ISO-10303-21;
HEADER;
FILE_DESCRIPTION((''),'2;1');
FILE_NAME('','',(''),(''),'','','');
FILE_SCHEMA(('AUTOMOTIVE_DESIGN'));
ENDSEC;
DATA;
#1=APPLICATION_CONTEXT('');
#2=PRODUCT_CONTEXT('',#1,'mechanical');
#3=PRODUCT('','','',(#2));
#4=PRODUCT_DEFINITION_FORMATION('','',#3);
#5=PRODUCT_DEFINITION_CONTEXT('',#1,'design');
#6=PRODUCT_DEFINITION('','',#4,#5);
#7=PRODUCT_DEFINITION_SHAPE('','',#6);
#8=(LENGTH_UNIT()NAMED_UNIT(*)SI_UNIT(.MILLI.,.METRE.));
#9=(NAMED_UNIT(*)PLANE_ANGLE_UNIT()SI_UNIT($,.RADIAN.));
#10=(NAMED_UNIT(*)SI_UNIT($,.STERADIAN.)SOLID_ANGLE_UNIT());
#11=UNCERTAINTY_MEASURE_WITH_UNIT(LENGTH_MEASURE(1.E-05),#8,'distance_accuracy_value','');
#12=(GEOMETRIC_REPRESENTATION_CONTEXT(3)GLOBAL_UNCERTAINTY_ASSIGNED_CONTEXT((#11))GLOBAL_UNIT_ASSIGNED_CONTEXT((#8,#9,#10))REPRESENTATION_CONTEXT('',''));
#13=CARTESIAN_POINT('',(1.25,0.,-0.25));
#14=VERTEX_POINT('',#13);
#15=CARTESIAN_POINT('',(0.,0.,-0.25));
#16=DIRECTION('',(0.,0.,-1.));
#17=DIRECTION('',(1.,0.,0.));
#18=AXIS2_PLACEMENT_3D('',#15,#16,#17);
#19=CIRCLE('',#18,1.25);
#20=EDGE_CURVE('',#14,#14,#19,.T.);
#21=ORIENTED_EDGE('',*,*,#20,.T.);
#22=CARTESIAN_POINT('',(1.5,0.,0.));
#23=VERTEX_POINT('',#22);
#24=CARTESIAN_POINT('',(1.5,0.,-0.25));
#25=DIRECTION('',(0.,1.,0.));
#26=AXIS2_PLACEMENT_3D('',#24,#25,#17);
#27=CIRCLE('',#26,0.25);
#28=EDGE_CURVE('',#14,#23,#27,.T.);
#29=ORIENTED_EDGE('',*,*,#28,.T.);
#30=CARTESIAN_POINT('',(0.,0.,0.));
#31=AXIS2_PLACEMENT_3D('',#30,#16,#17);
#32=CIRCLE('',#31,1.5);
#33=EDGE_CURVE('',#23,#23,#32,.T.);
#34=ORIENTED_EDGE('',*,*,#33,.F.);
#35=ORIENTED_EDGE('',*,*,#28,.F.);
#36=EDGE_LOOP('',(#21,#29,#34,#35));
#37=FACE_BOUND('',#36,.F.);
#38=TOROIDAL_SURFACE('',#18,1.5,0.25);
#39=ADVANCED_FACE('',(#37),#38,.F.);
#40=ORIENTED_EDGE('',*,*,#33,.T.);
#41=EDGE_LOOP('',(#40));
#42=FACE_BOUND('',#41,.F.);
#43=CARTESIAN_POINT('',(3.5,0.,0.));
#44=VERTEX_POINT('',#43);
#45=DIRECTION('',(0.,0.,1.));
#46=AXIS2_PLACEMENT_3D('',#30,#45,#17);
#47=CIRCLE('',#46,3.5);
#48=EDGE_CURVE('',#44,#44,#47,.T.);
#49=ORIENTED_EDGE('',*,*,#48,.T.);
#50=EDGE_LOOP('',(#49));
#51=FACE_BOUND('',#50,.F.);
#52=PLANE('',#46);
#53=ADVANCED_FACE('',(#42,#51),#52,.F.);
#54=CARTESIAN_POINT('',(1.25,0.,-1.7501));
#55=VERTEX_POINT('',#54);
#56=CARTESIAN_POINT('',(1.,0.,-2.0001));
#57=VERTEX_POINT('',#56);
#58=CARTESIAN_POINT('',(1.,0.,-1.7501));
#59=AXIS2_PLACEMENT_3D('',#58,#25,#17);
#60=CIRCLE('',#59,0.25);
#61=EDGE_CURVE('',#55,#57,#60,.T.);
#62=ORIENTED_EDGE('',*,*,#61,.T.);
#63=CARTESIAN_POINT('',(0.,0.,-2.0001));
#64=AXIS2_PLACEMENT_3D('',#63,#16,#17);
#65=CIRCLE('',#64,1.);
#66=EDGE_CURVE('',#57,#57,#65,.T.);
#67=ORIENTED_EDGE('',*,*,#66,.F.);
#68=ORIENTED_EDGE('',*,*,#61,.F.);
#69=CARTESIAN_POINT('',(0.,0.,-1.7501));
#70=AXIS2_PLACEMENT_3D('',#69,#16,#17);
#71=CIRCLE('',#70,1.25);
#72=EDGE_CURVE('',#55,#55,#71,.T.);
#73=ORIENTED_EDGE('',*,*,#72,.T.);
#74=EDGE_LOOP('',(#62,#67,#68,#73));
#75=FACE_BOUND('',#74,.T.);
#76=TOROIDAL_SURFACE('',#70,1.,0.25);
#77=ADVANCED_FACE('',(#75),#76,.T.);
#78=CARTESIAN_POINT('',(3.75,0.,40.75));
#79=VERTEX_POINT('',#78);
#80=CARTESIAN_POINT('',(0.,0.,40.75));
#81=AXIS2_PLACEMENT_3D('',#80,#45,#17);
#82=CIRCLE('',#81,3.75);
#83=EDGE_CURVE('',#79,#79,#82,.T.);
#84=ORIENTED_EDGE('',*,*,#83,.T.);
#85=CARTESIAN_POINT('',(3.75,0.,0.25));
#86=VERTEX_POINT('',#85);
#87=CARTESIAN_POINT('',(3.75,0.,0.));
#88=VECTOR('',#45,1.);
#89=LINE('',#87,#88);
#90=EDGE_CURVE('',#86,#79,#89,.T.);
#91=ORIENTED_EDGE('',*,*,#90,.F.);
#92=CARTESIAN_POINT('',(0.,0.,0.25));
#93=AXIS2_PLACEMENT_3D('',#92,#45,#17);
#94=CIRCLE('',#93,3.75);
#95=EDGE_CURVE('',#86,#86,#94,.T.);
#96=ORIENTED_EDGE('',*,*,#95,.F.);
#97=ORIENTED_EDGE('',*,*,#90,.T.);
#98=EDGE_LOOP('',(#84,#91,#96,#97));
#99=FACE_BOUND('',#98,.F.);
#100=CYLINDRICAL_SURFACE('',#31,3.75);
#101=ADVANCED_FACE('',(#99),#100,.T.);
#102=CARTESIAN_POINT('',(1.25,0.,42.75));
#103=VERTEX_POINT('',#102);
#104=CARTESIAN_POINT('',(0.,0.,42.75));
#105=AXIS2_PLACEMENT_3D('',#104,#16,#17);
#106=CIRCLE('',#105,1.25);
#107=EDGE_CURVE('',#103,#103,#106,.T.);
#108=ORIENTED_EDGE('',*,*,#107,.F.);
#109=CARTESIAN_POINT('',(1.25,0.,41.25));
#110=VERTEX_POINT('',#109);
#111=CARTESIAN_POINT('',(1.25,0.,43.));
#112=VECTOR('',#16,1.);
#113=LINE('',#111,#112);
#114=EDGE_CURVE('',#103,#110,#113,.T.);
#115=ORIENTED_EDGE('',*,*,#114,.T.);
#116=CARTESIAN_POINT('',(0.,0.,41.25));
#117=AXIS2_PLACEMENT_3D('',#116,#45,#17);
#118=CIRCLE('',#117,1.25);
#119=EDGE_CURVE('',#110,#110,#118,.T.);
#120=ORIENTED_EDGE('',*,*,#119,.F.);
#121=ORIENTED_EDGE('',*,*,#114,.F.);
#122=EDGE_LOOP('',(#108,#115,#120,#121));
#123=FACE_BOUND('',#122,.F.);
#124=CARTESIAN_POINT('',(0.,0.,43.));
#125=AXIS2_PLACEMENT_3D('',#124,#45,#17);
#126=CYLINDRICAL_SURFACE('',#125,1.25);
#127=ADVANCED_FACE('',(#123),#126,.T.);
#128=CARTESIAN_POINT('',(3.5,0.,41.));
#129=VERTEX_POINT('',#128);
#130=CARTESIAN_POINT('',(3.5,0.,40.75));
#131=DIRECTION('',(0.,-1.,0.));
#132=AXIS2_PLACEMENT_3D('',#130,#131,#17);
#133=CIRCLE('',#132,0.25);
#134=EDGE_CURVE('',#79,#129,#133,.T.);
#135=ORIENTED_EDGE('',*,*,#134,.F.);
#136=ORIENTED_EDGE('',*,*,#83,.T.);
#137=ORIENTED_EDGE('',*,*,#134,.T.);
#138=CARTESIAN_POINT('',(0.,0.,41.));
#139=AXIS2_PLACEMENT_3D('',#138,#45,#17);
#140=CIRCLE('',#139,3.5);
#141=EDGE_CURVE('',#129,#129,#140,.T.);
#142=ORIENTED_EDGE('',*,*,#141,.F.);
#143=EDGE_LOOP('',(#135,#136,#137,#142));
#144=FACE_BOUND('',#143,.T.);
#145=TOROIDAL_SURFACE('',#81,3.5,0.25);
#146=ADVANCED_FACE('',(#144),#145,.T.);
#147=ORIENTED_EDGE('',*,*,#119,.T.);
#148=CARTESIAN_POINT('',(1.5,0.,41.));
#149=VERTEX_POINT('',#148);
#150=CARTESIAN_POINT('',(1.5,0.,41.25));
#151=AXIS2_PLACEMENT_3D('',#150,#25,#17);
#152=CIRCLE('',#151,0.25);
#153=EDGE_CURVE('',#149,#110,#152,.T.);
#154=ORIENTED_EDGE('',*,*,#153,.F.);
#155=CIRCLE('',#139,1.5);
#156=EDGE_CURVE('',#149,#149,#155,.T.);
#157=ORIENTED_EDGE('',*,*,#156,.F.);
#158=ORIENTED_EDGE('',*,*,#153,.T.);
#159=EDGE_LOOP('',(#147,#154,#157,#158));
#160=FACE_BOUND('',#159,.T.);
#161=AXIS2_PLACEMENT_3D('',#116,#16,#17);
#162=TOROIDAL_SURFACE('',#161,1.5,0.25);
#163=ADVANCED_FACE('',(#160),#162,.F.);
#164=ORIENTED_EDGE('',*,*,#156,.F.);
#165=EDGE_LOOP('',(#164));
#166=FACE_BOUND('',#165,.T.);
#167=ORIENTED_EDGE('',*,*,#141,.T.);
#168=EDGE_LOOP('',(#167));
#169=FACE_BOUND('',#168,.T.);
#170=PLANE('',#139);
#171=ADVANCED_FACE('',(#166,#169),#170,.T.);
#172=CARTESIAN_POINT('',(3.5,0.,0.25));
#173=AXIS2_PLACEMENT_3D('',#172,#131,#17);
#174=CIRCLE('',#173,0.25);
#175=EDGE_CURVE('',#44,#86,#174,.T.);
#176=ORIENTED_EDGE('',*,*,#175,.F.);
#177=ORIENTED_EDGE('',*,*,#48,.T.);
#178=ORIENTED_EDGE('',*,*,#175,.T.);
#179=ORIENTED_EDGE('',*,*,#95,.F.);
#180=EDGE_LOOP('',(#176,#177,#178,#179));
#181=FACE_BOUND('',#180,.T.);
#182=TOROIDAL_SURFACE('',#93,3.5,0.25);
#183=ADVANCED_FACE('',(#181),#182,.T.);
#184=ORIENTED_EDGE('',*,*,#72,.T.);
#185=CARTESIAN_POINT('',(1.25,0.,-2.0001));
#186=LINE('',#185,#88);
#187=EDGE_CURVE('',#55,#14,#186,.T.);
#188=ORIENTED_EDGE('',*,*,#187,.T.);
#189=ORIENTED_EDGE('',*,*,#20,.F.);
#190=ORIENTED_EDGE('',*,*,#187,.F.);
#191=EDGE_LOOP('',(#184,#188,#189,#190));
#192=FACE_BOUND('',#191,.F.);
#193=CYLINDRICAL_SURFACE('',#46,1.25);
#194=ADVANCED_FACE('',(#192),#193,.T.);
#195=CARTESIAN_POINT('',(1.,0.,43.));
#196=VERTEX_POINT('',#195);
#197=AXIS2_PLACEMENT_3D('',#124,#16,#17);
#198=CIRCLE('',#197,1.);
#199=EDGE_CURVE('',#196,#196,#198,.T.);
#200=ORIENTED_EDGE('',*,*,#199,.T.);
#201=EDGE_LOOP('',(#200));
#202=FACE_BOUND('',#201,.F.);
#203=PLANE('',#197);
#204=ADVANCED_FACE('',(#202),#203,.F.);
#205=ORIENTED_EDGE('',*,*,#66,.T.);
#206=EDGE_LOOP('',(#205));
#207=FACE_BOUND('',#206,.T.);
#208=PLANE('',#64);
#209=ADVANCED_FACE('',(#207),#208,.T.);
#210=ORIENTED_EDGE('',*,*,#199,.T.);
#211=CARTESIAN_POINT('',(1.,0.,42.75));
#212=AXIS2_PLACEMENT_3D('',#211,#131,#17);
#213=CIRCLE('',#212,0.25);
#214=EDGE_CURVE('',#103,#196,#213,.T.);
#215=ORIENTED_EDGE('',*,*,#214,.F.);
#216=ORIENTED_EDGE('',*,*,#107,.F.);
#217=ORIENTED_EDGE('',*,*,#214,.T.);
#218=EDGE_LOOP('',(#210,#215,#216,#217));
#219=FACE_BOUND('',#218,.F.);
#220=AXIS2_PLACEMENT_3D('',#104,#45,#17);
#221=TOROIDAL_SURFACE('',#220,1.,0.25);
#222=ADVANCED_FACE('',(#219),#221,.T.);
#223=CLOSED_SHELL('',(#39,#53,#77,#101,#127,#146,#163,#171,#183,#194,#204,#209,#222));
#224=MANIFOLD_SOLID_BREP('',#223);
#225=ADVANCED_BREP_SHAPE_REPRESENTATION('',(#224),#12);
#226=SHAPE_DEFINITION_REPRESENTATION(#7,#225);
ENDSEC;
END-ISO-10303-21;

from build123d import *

# Parameters (mm, degrees)
CROQUIS1_R                   = 3.75
SALIENTE_EXTRUIR1_DEPTH      = 41
CROQUIS2_R                   = 1.25
SALIENTE_EXTRUIR2_DEPTH      = 2
SALIENTE_EXTRUIR3_DEPTH      = 0.0001
SALIENTE_EXTRUIR3_DEPTH_BACK = 45
CROQUIS3_R                   = 1.25
REDONDEO9_R                  = 0.25


with BuildPart() as part:
    # Croquis1 → Saliente-Extruir1 (new body)
    with BuildSketch(Plane.XY):
        Circle(CROQUIS1_R)
    extrude(amount=SALIENTE_EXTRUIR1_DEPTH)

    # Croquis2 → Saliente-Extruir2 (add)
    with BuildSketch(Plane(origin=(0, 0, 0), x_dir=(-1, 0, 0), z_dir=(0, 0, -1))):
        with Locations(Location((0, 0, 0), (0, 0, 180))):
            Circle(CROQUIS2_R)
    extrude(amount=SALIENTE_EXTRUIR2_DEPTH)

    # Croquis3 → Saliente-Extruir3 (add, two sides: drawn at the far end of the back side and taken through both)
    with BuildSketch(Plane(origin=(0, 0, -2), x_dir=(-1, 0, 0), z_dir=(0, 0, -1)).offset(-SALIENTE_EXTRUIR3_DEPTH_BACK)):
        with Locations(Location((0, 0, 0), (0, 0, 180))):
            Circle(CROQUIS3_R)
    extrude(amount=SALIENTE_EXTRUIR3_DEPTH + SALIENTE_EXTRUIR3_DEPTH_BACK)

    # Redondeo9
    redondeo9_edges = [part.edges().sort_by_distance(p)[0] for p in [
        (-1.25, 0, 43),
        (-1.25, 0, -2.0001),
        (-3.75, 0, 0),
        (-3.75, 0, 41),
        (-1.25, 0, 0),
        (-1.25, 0, 41),
    ]]
    fillet(redondeo9_edges, radius=REDONDEO9_R)


solid = part.part
